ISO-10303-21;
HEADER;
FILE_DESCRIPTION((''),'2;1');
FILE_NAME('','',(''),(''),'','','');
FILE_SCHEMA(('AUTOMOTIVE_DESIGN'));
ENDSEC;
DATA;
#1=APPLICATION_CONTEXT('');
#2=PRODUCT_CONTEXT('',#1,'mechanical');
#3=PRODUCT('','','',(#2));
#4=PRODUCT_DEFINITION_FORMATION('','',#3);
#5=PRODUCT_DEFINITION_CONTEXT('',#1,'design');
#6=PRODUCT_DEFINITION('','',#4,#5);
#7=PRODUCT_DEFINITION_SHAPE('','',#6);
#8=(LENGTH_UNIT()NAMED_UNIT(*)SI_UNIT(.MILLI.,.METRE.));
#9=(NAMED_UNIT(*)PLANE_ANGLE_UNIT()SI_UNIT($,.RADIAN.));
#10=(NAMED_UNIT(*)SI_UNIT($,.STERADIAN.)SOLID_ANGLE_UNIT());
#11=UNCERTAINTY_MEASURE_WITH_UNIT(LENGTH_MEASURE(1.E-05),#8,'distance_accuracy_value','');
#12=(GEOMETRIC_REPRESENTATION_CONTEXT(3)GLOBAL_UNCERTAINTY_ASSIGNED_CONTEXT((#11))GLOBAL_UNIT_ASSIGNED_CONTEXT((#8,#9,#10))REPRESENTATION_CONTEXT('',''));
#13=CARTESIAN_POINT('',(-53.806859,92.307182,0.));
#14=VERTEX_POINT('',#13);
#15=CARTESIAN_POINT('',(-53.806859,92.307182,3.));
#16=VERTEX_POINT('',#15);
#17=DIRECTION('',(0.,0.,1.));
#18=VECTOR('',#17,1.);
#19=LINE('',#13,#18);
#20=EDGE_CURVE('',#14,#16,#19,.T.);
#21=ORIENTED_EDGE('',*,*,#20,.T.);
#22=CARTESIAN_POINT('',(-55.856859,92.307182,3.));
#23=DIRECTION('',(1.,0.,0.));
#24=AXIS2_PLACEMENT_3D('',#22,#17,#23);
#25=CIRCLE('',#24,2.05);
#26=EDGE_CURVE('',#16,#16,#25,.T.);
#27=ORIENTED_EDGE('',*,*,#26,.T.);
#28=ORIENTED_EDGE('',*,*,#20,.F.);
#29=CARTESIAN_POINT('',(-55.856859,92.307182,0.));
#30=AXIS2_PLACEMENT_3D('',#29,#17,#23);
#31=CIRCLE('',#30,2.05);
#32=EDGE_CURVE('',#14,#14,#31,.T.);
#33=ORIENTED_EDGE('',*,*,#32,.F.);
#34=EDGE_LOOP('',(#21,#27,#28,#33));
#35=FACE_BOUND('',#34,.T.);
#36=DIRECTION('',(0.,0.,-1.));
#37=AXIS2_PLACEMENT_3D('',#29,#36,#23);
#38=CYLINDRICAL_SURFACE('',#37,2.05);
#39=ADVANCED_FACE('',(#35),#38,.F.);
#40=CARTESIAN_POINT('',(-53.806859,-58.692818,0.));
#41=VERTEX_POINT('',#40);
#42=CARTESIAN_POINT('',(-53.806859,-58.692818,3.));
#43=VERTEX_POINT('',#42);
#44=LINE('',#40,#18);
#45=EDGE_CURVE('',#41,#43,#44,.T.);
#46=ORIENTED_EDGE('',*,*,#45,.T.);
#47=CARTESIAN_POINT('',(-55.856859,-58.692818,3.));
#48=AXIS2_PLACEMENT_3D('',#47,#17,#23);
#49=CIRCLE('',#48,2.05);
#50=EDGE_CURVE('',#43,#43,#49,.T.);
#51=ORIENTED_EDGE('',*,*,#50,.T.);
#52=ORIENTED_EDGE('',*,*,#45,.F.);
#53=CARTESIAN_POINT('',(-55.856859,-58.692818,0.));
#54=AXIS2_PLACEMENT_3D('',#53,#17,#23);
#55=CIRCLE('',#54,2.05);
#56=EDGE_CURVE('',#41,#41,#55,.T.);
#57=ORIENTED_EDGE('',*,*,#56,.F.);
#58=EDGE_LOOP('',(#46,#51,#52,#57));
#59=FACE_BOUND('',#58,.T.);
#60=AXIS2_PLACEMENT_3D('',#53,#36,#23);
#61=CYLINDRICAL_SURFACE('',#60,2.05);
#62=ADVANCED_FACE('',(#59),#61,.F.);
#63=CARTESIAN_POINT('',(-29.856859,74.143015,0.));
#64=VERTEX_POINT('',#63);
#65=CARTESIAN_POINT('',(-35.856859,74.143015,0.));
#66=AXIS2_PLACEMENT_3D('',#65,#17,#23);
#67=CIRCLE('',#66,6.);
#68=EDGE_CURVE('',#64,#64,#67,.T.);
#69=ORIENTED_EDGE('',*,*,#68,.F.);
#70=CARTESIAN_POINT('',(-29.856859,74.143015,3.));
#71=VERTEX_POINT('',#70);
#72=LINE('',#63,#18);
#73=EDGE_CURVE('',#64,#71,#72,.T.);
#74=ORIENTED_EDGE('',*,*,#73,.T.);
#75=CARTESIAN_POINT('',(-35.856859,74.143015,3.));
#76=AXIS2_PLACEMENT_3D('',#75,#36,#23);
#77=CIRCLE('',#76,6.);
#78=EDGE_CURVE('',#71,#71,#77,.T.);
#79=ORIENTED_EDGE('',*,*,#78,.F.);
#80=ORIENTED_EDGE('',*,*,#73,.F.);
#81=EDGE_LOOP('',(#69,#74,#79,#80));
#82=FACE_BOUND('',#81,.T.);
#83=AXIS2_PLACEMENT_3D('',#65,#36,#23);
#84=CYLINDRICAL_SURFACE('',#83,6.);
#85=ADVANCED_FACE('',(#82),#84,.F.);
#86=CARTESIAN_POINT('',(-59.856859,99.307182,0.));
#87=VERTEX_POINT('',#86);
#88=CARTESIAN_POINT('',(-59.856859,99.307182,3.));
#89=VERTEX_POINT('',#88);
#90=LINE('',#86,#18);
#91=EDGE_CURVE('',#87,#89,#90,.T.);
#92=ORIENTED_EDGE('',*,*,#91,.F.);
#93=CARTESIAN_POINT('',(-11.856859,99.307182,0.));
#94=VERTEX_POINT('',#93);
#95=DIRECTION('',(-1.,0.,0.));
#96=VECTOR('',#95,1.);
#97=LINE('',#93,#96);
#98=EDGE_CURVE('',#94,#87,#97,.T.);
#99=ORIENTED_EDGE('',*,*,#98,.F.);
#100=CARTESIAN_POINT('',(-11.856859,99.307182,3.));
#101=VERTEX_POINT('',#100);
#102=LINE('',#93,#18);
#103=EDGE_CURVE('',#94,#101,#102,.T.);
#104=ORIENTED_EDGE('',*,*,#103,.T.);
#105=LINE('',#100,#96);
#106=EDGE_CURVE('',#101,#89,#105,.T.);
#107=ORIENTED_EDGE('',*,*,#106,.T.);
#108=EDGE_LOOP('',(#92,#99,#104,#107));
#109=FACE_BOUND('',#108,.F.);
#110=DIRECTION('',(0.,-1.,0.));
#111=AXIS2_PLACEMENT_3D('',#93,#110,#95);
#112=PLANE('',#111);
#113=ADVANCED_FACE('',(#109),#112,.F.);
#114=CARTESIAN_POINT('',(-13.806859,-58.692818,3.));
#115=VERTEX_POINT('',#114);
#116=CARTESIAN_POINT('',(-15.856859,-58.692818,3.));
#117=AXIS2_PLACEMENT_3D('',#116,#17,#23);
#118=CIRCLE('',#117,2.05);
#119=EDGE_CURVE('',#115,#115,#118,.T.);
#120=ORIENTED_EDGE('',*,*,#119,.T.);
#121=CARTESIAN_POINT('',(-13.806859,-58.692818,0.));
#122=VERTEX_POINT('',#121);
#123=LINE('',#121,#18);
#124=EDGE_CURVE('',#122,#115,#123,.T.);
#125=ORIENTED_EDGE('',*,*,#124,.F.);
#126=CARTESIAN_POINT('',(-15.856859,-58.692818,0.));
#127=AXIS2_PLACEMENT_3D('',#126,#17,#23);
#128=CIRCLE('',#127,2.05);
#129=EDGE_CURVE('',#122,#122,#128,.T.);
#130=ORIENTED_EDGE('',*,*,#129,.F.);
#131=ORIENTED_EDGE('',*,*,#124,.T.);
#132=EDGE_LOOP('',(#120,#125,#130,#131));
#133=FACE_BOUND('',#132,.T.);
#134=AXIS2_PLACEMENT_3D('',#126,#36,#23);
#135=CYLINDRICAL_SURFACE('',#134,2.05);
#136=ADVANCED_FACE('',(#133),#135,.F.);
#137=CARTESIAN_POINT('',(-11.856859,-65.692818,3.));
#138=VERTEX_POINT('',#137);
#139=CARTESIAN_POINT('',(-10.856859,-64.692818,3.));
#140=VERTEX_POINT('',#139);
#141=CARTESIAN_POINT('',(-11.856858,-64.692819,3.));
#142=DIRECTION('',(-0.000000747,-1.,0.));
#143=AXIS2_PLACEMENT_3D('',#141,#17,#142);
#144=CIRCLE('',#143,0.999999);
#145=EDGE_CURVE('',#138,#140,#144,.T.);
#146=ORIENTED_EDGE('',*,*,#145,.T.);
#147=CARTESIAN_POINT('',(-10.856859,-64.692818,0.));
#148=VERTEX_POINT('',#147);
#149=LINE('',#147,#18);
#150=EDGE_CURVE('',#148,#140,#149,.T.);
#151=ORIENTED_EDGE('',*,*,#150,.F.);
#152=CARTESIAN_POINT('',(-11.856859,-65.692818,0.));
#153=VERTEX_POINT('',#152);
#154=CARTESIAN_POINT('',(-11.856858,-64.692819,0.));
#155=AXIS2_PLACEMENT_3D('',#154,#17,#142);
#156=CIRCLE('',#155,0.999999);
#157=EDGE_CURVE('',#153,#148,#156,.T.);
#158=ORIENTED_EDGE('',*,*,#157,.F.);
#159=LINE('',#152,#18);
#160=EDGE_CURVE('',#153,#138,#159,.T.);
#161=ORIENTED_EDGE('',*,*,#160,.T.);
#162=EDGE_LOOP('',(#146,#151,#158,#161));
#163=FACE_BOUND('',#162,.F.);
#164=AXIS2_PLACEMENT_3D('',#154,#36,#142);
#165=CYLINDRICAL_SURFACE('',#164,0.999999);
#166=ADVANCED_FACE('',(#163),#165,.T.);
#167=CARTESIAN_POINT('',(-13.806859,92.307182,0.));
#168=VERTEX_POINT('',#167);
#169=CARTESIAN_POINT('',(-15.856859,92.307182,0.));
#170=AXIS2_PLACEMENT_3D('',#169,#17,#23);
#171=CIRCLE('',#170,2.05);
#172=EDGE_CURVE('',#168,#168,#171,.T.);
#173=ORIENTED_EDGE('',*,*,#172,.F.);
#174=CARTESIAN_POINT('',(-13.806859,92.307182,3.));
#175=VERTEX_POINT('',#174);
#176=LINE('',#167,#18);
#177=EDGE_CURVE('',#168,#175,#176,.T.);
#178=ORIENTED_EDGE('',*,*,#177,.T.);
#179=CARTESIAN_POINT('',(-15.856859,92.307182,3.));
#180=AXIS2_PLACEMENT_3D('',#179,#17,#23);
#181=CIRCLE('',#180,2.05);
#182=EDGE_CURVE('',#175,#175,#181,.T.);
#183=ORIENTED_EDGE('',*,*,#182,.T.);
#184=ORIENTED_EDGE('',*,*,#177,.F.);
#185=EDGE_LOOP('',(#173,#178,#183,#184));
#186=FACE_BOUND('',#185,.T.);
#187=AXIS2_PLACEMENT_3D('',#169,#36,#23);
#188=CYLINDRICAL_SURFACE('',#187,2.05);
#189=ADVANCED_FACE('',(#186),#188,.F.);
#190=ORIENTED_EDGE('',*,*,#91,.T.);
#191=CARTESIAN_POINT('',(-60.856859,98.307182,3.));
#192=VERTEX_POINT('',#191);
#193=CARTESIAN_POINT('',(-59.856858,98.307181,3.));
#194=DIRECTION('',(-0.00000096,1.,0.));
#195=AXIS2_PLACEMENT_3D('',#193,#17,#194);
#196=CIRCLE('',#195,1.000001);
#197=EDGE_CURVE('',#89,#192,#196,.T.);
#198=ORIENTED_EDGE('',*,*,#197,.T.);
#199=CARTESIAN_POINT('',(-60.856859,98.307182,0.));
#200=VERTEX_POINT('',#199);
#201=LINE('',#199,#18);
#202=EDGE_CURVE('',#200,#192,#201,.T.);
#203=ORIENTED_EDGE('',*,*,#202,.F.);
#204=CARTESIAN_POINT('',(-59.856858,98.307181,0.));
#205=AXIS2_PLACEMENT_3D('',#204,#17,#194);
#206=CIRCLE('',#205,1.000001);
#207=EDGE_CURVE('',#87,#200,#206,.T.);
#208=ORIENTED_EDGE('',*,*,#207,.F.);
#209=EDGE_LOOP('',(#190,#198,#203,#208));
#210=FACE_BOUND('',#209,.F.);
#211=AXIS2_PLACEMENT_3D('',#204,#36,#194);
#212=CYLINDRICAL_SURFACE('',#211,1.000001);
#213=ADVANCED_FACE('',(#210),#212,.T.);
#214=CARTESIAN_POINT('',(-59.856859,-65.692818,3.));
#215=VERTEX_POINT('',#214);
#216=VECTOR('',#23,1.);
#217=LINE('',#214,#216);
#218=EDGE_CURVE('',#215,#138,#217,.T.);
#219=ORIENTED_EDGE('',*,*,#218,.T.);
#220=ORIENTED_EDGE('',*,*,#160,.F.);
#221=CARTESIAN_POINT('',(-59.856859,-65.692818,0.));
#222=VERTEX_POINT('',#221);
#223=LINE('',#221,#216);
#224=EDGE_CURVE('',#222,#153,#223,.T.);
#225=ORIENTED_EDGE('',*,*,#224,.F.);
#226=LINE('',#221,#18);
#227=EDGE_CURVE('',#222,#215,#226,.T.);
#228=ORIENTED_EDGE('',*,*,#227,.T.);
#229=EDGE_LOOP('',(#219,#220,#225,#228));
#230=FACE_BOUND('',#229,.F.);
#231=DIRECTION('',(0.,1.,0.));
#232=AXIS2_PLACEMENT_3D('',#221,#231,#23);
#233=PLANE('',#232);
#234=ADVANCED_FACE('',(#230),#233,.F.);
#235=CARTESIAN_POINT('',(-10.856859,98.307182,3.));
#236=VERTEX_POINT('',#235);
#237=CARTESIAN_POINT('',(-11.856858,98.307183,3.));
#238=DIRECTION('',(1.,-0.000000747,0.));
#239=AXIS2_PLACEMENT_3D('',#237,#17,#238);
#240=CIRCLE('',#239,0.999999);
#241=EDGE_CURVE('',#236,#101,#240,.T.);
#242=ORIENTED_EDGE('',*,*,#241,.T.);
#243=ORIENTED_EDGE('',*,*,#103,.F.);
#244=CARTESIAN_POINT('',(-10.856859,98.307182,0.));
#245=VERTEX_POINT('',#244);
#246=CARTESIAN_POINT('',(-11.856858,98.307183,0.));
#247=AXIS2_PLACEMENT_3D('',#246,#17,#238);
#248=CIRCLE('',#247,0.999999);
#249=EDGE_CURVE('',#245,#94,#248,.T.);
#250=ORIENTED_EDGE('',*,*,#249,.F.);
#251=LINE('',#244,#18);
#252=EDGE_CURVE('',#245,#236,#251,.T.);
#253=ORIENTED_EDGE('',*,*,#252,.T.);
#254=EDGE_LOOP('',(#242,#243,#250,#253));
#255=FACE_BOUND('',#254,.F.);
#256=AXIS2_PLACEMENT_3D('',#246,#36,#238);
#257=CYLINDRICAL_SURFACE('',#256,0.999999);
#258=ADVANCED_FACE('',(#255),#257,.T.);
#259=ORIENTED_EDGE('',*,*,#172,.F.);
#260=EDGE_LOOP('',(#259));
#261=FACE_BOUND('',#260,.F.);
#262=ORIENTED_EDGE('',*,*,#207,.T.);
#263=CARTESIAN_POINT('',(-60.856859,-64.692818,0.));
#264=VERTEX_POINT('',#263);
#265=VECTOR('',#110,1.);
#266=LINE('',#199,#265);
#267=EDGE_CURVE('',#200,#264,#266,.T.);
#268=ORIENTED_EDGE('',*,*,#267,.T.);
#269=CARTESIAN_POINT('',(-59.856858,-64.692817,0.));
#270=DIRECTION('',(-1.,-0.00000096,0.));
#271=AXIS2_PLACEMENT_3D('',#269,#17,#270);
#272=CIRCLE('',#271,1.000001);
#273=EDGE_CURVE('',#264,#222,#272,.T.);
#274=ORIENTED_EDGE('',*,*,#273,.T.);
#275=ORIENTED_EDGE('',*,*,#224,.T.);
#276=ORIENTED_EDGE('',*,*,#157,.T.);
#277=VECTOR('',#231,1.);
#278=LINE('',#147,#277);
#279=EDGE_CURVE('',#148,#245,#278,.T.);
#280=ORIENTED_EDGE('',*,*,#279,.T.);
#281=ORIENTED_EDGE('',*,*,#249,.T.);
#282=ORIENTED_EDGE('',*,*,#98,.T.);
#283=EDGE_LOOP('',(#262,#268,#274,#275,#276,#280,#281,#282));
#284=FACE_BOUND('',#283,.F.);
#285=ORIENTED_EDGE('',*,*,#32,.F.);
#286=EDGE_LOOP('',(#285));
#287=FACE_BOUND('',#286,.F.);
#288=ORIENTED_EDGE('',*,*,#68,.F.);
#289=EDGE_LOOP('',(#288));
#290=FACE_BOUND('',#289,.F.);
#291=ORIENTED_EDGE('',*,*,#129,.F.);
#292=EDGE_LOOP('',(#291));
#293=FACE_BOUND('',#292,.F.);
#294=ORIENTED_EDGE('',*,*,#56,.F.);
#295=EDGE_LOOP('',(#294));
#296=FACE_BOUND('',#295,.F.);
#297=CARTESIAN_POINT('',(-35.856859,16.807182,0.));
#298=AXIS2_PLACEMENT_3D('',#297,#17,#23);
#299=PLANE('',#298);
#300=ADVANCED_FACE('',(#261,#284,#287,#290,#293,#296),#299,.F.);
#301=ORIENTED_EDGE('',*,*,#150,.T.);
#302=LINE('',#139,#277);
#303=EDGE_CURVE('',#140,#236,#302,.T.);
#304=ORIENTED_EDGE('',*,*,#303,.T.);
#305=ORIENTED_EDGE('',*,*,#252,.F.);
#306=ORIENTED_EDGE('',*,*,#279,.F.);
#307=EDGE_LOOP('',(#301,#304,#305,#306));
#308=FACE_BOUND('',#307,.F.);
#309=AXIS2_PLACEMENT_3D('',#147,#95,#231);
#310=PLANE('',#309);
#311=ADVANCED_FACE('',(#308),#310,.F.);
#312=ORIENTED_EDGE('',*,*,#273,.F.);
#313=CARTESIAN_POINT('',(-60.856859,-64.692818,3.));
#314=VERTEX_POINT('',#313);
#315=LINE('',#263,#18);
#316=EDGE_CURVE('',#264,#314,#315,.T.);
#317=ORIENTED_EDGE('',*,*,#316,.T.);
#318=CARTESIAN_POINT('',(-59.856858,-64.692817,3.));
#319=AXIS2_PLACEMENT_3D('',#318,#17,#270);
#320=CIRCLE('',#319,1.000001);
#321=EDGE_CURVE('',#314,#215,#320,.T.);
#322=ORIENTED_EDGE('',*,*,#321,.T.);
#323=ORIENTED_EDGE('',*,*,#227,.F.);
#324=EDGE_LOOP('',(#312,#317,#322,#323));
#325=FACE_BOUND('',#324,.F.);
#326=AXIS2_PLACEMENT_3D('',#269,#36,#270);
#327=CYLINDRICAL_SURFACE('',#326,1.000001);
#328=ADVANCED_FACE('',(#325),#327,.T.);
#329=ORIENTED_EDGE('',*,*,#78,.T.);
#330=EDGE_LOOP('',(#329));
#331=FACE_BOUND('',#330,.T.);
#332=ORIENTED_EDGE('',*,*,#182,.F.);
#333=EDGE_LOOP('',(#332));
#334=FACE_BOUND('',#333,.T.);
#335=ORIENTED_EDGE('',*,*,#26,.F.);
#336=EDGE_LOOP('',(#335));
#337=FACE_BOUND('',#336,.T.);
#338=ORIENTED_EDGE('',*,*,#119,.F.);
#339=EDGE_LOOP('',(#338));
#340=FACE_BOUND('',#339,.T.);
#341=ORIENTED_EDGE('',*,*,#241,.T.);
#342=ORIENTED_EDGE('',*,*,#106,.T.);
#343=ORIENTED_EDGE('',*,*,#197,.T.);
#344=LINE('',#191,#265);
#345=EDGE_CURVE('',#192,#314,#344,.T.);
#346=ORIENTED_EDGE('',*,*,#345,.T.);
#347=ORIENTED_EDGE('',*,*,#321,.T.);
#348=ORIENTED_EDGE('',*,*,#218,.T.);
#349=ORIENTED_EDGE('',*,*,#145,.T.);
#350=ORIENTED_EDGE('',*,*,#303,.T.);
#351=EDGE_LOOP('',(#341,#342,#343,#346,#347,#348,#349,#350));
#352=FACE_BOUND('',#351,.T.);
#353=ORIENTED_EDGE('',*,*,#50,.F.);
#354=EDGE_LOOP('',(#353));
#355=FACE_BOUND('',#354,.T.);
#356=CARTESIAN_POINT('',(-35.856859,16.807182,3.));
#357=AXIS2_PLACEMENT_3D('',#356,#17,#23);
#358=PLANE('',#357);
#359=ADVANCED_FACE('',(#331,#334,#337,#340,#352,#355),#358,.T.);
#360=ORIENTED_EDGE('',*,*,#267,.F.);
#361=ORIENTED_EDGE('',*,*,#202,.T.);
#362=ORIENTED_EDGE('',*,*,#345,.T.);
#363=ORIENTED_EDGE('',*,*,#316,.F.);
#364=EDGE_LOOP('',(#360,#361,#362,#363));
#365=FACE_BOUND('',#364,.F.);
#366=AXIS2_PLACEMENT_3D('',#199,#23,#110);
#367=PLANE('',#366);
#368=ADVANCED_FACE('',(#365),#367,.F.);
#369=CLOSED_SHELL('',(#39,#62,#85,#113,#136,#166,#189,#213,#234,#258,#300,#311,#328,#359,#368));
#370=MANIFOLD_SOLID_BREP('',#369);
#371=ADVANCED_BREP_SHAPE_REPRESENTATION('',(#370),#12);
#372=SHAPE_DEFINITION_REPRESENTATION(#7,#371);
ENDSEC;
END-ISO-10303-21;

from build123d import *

# Parameters (mm, degrees)
F0_R     = 2.05
F1_DEPTH = 3
F2_R     = 6
F3_DEPTH = 25


with BuildPart() as f1:
    # F0 (on Top) → F1 (new body)
    with BuildSketch(Plane.XY):
        with BuildLine():
            Line((-11.856859, 99.307182), (-59.856859, 99.307182))
            ThreePointArc((-59.856859, 99.307182), (-60.563965, 99.014289), (-60.856859, 98.307182))
            Line((-60.856859, 98.307182), (-60.856859, -64.692818))
            ThreePointArc((-60.856859, -64.692818), (-60.563965, -65.399925), (-59.856859, -65.692818))
            Line((-59.856859, -65.692818), (-11.856859, -65.692818))
            ThreePointArc((-11.856859, -65.692818), (-11.149752, -65.399925), (-10.856859, -64.692818))
            Line((-10.856859, -64.692818), (-10.856859, 98.307182))
            ThreePointArc((-10.856859, 98.307182), (-11.149752, 99.014289), (-11.856859, 99.307182))
        make_face()
        with Locations((-55.856859, -58.692818)):
            Circle(F0_R, mode=Mode.SUBTRACT)
        with Locations((-15.856859, -58.692818)):
            Circle(F0_R, mode=Mode.SUBTRACT)
        with Locations((-55.856859, 92.307182)):
            Circle(F0_R, mode=Mode.SUBTRACT)
        with Locations((-15.856859, 92.307182)):
            Circle(F0_R, mode=Mode.SUBTRACT)
    extrude(amount=F1_DEPTH)

    # F2 (on Top) → F3 (cut)
    with BuildSketch(Plane.XY):
        with Locations((-35.856859, 74.143015)):
            Circle(F2_R)
    extrude(amount=F3_DEPTH, mode=Mode.SUBTRACT)


solid = f1.part
